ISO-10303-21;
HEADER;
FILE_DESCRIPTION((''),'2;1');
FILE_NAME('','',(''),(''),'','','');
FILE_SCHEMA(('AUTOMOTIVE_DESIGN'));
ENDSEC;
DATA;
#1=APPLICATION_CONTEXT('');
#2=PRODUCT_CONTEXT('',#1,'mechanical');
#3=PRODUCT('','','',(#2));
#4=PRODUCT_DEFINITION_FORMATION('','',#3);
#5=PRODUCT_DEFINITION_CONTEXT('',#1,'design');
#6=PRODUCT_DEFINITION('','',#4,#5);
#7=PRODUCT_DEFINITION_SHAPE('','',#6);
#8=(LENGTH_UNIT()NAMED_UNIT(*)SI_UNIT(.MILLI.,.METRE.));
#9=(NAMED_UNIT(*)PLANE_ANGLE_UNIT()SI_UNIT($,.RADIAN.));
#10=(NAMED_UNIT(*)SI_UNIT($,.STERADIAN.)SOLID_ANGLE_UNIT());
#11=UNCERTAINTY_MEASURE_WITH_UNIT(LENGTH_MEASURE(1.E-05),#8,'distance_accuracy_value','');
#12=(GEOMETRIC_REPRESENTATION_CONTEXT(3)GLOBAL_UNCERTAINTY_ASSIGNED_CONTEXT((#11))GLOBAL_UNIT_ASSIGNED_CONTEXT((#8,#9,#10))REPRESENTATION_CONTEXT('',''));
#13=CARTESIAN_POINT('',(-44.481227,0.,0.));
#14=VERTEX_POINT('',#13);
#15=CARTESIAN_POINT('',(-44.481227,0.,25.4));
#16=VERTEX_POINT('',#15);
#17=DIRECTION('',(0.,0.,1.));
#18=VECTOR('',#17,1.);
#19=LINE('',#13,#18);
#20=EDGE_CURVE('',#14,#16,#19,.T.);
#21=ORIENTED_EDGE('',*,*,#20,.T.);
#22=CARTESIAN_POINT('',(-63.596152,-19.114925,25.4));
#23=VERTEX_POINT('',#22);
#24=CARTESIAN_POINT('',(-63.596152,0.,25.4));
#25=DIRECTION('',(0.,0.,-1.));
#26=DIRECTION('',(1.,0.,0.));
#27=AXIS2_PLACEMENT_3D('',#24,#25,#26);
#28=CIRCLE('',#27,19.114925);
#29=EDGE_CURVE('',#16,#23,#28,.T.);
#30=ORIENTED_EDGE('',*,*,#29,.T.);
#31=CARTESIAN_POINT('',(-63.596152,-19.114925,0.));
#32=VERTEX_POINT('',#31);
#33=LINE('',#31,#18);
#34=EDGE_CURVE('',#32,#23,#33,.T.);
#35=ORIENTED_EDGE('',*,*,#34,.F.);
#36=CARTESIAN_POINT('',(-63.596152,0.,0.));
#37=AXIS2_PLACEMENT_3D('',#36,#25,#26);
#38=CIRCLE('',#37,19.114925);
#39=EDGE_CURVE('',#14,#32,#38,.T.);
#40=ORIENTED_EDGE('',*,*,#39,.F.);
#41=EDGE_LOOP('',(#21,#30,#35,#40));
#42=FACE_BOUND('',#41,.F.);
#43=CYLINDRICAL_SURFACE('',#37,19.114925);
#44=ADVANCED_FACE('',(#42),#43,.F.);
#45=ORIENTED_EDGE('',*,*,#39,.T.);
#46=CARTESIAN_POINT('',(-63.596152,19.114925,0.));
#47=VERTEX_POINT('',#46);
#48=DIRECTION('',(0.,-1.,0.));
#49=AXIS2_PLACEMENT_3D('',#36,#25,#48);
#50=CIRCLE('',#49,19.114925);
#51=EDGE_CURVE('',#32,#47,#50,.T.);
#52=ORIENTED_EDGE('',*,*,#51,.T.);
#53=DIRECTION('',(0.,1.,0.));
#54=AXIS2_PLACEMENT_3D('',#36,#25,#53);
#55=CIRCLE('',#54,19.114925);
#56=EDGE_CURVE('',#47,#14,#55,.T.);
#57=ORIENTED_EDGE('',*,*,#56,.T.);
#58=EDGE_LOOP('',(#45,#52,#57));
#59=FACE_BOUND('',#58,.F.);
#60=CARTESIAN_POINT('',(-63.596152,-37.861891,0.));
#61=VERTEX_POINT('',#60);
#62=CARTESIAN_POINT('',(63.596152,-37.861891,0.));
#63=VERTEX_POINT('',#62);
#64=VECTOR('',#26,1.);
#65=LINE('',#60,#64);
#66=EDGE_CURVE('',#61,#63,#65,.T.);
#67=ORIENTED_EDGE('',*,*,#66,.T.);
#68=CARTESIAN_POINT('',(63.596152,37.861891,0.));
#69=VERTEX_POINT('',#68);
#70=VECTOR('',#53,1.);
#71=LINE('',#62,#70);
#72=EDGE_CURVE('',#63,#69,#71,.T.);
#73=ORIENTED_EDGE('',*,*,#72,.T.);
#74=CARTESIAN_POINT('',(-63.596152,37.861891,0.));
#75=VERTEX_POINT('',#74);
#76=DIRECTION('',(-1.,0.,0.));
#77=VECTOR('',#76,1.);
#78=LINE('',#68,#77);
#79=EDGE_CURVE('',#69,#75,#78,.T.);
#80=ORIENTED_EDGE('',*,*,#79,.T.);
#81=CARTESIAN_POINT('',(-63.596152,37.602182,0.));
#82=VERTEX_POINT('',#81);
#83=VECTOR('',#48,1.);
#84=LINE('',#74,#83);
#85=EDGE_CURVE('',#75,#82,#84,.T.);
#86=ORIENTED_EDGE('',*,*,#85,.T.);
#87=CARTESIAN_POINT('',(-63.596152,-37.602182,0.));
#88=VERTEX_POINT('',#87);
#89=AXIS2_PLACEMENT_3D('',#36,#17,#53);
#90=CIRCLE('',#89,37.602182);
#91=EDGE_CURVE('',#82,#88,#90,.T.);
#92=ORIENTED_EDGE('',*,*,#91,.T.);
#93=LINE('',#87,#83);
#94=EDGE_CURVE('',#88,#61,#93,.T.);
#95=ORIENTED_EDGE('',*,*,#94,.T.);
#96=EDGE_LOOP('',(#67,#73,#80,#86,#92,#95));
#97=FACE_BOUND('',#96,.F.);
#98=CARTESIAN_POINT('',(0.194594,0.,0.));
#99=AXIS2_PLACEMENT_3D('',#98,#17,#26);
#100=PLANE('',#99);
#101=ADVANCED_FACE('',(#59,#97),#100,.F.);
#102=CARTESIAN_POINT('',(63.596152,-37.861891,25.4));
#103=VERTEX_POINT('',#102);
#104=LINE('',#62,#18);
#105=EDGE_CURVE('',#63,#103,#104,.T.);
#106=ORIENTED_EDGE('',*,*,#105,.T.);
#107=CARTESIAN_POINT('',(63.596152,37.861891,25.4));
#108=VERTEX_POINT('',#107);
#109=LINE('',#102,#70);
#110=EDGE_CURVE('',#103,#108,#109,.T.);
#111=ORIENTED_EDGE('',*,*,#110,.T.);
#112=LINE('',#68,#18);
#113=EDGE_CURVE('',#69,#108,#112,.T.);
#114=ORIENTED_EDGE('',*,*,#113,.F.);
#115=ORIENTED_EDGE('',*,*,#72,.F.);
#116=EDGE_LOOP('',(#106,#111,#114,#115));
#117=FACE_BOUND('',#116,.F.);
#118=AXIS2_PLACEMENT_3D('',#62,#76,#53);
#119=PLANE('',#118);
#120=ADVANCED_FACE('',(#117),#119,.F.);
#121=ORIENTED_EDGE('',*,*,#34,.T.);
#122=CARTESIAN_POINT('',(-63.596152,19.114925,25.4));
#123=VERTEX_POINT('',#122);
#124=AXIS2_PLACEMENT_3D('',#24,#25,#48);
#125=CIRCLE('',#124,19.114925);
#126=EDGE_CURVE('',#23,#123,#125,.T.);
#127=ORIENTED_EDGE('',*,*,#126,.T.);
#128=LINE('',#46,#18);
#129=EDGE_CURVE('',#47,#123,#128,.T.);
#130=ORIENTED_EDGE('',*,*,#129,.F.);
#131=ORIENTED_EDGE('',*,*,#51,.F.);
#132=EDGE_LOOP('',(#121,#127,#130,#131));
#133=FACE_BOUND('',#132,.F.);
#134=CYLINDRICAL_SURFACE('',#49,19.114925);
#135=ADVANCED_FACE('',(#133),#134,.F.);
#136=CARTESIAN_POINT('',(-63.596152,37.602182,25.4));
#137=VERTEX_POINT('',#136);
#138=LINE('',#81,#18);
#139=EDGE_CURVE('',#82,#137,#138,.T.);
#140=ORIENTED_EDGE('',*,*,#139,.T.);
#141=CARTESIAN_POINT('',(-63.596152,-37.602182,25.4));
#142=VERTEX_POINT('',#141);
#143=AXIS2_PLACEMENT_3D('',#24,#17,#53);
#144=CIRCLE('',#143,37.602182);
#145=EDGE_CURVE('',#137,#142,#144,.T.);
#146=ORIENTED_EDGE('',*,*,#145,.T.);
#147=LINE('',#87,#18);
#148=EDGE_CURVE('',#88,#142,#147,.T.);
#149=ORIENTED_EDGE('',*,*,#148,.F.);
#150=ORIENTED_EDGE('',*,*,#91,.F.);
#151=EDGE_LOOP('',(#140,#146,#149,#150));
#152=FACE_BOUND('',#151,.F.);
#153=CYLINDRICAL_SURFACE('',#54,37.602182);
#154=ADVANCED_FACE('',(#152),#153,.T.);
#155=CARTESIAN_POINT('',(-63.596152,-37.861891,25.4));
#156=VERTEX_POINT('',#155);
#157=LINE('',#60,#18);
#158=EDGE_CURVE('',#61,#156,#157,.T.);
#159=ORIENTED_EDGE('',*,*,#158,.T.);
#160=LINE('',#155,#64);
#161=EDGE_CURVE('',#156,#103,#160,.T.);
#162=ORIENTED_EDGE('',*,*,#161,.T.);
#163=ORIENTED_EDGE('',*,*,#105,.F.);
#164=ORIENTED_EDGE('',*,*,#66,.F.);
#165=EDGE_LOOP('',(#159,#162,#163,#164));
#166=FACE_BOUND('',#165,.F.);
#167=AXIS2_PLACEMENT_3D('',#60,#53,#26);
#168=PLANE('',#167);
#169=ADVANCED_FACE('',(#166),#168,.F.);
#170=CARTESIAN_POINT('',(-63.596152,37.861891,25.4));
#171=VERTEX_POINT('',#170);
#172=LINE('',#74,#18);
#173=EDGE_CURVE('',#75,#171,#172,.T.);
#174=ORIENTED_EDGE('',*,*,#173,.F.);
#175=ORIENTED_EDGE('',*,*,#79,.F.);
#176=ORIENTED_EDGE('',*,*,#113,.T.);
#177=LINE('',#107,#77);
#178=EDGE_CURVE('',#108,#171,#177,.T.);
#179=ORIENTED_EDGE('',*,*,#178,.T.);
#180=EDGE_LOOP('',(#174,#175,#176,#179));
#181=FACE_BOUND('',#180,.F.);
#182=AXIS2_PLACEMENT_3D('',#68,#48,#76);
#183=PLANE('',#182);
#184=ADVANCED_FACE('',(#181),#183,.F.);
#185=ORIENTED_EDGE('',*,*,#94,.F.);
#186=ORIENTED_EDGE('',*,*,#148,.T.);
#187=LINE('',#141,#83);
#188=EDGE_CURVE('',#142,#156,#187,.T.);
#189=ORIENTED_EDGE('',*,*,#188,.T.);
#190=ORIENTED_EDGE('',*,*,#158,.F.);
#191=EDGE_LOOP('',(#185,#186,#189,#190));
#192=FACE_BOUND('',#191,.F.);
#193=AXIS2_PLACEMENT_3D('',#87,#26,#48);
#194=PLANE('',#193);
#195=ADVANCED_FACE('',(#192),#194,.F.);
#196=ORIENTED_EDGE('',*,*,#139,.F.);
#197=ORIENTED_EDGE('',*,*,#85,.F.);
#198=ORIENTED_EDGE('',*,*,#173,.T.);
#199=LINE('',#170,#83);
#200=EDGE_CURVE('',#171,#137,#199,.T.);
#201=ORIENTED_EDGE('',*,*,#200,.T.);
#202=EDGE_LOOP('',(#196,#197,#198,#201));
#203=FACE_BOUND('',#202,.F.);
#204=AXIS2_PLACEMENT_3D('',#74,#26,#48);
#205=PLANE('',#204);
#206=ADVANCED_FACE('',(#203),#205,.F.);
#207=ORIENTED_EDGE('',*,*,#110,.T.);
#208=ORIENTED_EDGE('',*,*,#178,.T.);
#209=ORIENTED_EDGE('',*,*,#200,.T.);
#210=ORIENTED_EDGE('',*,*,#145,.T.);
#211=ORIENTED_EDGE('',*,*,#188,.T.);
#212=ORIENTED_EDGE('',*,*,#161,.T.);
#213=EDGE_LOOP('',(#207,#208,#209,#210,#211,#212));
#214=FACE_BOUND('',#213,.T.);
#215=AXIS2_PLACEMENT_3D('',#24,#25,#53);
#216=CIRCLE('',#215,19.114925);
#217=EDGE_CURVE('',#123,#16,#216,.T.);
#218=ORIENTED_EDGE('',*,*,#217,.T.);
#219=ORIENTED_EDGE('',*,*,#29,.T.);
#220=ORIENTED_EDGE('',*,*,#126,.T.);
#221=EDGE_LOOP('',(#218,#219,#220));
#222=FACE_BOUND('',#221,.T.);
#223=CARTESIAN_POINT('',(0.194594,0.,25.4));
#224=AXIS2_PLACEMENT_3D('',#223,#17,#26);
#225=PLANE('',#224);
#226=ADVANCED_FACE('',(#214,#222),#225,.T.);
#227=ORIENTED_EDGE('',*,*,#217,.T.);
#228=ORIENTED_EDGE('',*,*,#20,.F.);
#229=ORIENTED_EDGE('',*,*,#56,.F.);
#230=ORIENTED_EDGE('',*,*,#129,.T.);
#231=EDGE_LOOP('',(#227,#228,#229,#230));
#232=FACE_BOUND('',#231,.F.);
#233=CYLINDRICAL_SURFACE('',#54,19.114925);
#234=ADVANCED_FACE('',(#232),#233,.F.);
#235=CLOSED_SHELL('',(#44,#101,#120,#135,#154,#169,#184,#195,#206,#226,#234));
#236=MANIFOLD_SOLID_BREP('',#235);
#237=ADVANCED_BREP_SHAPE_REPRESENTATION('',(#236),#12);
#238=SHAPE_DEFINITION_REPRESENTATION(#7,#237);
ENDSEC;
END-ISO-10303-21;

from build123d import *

# Parameters (mm, degrees)
F1_DEPTH = 25.4


with BuildPart() as f1:
    # F0 (on Top) → F1 (new body)
    with BuildSketch(Plane.XY):
        with BuildLine():
            Line((-63.5961517692, -37.6021821231), (-63.5961517692, -37.8618910909))
            Line((-63.5961517692, -37.8618910909), (63.5961517692, -37.8618910909))
            Line((63.5961517692, -37.8618910909), (63.5961517692, 37.8618910909))
            Line((63.5961517692, 37.8618910909), (-63.5961517692, 37.8618910909))
            Line((-63.5961517692, 37.8618910909), (-63.5961517692, 37.6021821231))
            ThreePointArc((-63.5961517692, 37.6021821231), (-37.0073938025, 26.5887579667), (-25.993969646, 0))
            ThreePointArc((-25.993969646, 0), (-37.0073938025, -26.5887579667), (-63.5961517692, -37.6021821231))
        make_face()
        with BuildLine():
            ThreePointArc((-63.5961517692, 37.6021821231), (-101.1983338923, 0), (-63.5961517692, -37.6021821231))
            Line((-63.5961517692, -37.6021821231), (-63.5961517692, -19.1149251528))
            ThreePointArc((-63.5961517692, -19.1149251528), (-82.711076922, 0), (-63.5961517692, 19.1149251528))
            Line((-63.5961517692, 19.1149251528), (-63.5961517692, 37.6021821231))
        make_face()
        with BuildLine():
            Line((-63.5961517692, -19.1149251528), (-63.5961517692, -37.6021821231))
            ThreePointArc((-63.5961517692, -37.6021821231), (-37.0073938025, -26.5887579667), (-25.993969646, 0))
            ThreePointArc((-25.993969646, 0), (-37.0073938025, 26.5887579667), (-63.5961517692, 37.6021821231))
            Line((-63.5961517692, 37.6021821231), (-63.5961517692, 19.1149251528))
            ThreePointArc((-63.5961517692, 19.1149251528), (-50.0798585717, 13.5162931974), (-44.4812266163, 0))
            ThreePointArc((-44.4812266163, 0), (-50.0798585717, -13.5162931974), (-63.5961517692, -19.1149251528))
        make_face()
    extrude(amount=F1_DEPTH)


solid = f1.part
